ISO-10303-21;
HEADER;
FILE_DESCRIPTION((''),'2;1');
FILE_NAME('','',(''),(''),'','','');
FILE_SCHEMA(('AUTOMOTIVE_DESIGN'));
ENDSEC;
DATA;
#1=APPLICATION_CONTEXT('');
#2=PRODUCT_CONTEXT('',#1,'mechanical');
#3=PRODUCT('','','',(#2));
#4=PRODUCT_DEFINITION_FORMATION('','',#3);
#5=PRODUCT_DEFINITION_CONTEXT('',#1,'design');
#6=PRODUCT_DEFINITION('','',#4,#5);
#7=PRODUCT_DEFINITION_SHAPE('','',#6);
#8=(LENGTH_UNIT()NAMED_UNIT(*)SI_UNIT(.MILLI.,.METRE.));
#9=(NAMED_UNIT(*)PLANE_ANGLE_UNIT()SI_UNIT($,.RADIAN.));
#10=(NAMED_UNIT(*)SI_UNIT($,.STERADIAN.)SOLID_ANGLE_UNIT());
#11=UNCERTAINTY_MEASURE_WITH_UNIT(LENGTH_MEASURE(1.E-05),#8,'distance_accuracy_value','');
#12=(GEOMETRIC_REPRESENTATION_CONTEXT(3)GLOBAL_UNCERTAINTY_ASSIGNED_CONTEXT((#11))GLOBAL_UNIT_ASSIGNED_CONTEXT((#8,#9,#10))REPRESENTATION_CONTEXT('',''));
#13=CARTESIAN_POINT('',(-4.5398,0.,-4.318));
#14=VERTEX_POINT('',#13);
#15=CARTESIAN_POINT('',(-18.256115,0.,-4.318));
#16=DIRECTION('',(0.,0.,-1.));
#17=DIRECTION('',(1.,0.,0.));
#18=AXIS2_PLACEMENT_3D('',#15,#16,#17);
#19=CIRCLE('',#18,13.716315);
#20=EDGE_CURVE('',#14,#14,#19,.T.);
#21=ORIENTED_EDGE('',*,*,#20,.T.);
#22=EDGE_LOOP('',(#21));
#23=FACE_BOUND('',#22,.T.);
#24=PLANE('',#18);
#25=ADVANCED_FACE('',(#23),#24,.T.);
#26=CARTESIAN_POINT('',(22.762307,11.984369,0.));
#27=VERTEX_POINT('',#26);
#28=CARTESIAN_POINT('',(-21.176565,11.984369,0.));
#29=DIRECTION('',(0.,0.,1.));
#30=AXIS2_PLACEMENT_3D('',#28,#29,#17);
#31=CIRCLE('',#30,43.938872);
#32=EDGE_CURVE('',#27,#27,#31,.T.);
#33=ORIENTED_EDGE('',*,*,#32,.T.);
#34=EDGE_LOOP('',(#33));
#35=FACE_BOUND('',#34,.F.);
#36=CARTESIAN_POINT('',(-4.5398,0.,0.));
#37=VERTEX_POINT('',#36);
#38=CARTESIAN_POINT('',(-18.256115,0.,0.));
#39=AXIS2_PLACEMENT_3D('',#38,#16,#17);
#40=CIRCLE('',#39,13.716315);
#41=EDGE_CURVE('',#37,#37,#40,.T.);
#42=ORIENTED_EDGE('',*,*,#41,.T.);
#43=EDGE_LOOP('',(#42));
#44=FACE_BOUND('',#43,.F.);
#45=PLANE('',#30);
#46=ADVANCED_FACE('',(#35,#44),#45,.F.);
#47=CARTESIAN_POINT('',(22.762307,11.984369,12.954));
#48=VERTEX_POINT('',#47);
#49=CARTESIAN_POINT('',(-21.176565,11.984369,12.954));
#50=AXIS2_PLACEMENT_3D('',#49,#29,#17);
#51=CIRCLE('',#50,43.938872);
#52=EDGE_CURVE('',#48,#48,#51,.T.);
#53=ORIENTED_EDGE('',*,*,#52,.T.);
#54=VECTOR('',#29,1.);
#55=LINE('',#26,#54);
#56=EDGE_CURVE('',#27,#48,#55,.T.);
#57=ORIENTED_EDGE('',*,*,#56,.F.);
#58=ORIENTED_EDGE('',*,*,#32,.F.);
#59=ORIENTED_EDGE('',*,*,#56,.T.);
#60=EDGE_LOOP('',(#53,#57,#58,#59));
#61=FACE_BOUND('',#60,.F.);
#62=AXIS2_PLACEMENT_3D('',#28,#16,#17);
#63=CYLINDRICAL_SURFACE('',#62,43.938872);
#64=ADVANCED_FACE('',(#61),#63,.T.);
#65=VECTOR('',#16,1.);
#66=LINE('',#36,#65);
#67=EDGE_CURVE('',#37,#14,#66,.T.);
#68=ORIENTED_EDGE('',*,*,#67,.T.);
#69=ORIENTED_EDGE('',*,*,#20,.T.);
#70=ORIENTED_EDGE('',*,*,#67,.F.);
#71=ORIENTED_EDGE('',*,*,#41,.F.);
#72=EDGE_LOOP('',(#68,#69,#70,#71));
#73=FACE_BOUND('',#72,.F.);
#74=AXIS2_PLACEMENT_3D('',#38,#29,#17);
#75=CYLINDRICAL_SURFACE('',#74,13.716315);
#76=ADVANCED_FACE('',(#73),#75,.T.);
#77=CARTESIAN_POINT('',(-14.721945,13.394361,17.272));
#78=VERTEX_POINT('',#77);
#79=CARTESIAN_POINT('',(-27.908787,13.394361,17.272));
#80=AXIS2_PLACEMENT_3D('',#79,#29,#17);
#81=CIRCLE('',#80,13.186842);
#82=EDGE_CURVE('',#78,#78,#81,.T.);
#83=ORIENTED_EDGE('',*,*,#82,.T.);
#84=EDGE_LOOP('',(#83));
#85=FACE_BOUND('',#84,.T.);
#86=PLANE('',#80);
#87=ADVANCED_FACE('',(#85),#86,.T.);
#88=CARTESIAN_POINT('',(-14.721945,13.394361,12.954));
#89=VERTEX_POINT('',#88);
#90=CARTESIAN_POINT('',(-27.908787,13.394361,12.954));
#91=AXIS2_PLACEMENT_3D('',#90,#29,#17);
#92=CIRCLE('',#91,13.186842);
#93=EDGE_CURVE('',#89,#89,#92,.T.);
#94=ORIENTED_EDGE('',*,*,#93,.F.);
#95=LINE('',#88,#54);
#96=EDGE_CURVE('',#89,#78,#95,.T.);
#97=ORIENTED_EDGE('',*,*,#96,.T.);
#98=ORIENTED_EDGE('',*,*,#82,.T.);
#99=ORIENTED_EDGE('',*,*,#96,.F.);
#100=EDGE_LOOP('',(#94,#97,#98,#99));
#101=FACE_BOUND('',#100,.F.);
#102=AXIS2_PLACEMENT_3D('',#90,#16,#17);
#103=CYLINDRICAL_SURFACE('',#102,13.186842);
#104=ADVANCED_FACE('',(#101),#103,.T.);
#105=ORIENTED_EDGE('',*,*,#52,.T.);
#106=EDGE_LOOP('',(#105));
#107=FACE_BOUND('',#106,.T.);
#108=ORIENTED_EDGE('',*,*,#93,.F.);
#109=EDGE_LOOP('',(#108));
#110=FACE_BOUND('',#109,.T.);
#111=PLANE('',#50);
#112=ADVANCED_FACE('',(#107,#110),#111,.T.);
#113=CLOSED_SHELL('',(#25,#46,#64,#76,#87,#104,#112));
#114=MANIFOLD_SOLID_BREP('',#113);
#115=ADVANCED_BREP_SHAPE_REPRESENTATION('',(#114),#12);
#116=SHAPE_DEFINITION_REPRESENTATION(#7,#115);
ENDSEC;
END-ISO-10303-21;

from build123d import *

# Parameters (mm, degrees)
F0_R     = 43.938872
F1_DEPTH = 12.954
F2_R     = 13.186842
F3_DEPTH = 4.318
F4_R     = 13.716315
F5_DEPTH = 4.318


with BuildPart() as f1:
    # F0 (on Top) → F1 (new body)
    with BuildSketch(Plane.XY):
        with Locations((-21.176565, 11.984369)):
            Circle(F0_R)
    extrude(amount=F1_DEPTH)

    # F2 (on face) → F3 (join)
    with BuildSketch(Plane.XY.offset(12.954)):
        with Locations((-27.908787, 13.394361)):
            Circle(F2_R)
    extrude(amount=F3_DEPTH)

    # F4 (on face) → F5 (join)
    with BuildSketch(Plane(origin=(0, 0, 0), x_dir=(1, 0, 0), z_dir=(0, 0, -1))):
        with Locations((-18.256115, 0)):
            Circle(F4_R)
    extrude(amount=F5_DEPTH)


solid = f1.part
